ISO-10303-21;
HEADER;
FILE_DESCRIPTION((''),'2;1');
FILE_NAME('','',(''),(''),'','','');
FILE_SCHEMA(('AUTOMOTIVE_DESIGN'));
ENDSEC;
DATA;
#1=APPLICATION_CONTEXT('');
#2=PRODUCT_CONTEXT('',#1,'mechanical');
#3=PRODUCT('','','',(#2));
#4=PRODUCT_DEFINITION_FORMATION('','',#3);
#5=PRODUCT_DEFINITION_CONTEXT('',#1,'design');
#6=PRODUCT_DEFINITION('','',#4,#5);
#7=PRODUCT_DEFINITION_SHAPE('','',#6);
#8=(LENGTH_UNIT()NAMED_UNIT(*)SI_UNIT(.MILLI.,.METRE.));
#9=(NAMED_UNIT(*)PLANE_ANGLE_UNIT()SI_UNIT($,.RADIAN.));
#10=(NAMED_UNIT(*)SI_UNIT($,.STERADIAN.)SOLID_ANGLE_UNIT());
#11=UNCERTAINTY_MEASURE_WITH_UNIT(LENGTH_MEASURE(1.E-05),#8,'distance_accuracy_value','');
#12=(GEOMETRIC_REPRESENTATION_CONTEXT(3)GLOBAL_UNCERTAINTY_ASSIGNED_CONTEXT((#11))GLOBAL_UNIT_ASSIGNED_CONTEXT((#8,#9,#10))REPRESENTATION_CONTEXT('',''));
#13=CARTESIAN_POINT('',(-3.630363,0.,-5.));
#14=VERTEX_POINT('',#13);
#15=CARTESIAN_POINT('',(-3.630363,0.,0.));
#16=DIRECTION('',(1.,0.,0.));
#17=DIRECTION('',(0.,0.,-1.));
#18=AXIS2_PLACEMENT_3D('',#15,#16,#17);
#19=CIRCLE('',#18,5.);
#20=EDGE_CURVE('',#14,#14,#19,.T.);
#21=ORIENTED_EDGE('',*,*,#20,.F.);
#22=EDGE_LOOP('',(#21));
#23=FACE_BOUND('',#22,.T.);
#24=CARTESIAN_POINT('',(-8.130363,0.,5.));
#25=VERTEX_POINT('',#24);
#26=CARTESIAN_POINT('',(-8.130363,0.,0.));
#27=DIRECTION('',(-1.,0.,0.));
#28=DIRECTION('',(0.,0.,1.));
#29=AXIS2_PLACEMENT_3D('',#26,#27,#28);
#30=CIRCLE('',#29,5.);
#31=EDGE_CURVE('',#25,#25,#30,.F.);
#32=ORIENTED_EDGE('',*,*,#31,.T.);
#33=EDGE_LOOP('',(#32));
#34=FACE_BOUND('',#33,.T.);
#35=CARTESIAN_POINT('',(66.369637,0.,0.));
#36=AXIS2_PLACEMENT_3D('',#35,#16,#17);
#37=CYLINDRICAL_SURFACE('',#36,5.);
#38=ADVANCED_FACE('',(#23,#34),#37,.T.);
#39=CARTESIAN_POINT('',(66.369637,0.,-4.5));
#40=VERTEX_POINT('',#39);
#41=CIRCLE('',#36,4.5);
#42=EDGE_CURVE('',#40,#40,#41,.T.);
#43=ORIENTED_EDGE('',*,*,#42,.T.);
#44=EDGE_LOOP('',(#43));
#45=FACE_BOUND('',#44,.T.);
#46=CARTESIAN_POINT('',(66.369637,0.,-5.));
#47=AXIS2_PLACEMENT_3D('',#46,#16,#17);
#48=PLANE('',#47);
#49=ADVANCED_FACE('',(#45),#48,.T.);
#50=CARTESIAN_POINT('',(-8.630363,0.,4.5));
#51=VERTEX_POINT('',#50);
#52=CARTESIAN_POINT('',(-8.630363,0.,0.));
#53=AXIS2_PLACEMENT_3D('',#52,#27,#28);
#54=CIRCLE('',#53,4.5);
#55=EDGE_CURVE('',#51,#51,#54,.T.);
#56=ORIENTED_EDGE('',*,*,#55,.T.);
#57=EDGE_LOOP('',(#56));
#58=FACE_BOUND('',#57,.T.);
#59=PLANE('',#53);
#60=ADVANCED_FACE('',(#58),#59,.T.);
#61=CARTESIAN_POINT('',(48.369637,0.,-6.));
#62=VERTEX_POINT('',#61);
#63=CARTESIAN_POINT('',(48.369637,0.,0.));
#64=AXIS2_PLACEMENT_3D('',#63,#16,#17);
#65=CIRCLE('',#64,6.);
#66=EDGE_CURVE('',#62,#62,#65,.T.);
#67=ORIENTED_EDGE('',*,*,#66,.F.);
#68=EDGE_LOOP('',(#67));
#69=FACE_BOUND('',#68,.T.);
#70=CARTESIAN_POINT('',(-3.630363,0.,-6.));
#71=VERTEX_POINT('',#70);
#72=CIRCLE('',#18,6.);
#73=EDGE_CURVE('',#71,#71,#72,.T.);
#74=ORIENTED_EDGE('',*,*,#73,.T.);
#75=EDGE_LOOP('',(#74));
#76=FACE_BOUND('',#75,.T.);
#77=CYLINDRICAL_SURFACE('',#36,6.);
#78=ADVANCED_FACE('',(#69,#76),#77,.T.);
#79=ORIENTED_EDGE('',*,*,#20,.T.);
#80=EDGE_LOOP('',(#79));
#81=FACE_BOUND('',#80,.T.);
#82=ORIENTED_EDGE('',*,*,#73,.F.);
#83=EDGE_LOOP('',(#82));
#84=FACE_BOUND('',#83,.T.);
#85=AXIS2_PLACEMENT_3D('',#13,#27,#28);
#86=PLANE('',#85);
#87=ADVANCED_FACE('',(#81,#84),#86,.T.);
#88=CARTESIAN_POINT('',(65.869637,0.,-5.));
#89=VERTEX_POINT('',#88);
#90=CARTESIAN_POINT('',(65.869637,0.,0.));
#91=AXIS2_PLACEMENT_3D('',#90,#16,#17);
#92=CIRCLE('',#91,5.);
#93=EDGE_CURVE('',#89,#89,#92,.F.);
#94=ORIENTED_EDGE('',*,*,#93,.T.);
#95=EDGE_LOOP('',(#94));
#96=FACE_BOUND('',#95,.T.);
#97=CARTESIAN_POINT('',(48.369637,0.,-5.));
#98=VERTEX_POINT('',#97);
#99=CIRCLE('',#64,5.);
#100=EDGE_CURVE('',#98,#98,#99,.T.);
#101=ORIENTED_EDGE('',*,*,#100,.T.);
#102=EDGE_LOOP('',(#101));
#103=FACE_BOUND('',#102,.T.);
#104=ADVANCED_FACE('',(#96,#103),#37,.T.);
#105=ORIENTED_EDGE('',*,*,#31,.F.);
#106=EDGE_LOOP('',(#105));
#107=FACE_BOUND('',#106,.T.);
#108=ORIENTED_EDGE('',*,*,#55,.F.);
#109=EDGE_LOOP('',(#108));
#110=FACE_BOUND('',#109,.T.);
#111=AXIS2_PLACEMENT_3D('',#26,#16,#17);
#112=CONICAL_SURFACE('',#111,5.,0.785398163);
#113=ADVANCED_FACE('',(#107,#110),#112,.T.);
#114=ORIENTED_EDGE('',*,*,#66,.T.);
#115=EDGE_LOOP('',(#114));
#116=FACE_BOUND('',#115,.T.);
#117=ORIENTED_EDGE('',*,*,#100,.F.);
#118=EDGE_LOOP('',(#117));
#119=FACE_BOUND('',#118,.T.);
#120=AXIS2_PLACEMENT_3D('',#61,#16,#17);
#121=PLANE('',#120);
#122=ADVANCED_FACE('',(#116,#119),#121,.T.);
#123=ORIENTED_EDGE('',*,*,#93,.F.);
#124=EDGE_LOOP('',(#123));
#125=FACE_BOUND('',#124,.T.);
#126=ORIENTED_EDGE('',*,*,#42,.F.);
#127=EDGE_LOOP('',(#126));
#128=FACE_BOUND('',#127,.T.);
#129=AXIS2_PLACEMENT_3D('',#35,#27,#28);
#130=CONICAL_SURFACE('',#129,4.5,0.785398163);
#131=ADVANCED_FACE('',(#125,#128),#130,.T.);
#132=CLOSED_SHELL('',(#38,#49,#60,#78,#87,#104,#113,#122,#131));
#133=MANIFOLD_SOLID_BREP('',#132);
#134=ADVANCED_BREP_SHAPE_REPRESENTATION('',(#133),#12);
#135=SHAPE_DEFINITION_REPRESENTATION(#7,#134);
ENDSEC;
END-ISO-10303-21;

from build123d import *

# Parameters (mm, degrees)
CHAMFER_1_SIZE = 0.5


with BuildPart() as part:
    # 草图1 → 旋转1 (revolve)
    with BuildSketch(Plane(origin=(0, 0, 0), x_dir=(1, 0, 0), z_dir=(0, 1, 0))):
        Polygon((-8.630363036, 0), (-8.630363036, 5), (-3.630363036, 5), (-3.630363036, 6), (48.369636964, 6), (48.369636964, 5), (66.369636964, 5), (66.369636964, 0), align=None)
    revolve(axis=Axis((66.369636964, 0, 0), (-1, 0, 0)))

    # 倒角1
    chamfer_1_edges = [part.edges().sort_by_distance(p)[0] for p in [
        (66.369636964, 0, 5),
        (-8.630363036, 0, 5),
    ]]
    chamfer(chamfer_1_edges, length=CHAMFER_1_SIZE)


solid = part.part
